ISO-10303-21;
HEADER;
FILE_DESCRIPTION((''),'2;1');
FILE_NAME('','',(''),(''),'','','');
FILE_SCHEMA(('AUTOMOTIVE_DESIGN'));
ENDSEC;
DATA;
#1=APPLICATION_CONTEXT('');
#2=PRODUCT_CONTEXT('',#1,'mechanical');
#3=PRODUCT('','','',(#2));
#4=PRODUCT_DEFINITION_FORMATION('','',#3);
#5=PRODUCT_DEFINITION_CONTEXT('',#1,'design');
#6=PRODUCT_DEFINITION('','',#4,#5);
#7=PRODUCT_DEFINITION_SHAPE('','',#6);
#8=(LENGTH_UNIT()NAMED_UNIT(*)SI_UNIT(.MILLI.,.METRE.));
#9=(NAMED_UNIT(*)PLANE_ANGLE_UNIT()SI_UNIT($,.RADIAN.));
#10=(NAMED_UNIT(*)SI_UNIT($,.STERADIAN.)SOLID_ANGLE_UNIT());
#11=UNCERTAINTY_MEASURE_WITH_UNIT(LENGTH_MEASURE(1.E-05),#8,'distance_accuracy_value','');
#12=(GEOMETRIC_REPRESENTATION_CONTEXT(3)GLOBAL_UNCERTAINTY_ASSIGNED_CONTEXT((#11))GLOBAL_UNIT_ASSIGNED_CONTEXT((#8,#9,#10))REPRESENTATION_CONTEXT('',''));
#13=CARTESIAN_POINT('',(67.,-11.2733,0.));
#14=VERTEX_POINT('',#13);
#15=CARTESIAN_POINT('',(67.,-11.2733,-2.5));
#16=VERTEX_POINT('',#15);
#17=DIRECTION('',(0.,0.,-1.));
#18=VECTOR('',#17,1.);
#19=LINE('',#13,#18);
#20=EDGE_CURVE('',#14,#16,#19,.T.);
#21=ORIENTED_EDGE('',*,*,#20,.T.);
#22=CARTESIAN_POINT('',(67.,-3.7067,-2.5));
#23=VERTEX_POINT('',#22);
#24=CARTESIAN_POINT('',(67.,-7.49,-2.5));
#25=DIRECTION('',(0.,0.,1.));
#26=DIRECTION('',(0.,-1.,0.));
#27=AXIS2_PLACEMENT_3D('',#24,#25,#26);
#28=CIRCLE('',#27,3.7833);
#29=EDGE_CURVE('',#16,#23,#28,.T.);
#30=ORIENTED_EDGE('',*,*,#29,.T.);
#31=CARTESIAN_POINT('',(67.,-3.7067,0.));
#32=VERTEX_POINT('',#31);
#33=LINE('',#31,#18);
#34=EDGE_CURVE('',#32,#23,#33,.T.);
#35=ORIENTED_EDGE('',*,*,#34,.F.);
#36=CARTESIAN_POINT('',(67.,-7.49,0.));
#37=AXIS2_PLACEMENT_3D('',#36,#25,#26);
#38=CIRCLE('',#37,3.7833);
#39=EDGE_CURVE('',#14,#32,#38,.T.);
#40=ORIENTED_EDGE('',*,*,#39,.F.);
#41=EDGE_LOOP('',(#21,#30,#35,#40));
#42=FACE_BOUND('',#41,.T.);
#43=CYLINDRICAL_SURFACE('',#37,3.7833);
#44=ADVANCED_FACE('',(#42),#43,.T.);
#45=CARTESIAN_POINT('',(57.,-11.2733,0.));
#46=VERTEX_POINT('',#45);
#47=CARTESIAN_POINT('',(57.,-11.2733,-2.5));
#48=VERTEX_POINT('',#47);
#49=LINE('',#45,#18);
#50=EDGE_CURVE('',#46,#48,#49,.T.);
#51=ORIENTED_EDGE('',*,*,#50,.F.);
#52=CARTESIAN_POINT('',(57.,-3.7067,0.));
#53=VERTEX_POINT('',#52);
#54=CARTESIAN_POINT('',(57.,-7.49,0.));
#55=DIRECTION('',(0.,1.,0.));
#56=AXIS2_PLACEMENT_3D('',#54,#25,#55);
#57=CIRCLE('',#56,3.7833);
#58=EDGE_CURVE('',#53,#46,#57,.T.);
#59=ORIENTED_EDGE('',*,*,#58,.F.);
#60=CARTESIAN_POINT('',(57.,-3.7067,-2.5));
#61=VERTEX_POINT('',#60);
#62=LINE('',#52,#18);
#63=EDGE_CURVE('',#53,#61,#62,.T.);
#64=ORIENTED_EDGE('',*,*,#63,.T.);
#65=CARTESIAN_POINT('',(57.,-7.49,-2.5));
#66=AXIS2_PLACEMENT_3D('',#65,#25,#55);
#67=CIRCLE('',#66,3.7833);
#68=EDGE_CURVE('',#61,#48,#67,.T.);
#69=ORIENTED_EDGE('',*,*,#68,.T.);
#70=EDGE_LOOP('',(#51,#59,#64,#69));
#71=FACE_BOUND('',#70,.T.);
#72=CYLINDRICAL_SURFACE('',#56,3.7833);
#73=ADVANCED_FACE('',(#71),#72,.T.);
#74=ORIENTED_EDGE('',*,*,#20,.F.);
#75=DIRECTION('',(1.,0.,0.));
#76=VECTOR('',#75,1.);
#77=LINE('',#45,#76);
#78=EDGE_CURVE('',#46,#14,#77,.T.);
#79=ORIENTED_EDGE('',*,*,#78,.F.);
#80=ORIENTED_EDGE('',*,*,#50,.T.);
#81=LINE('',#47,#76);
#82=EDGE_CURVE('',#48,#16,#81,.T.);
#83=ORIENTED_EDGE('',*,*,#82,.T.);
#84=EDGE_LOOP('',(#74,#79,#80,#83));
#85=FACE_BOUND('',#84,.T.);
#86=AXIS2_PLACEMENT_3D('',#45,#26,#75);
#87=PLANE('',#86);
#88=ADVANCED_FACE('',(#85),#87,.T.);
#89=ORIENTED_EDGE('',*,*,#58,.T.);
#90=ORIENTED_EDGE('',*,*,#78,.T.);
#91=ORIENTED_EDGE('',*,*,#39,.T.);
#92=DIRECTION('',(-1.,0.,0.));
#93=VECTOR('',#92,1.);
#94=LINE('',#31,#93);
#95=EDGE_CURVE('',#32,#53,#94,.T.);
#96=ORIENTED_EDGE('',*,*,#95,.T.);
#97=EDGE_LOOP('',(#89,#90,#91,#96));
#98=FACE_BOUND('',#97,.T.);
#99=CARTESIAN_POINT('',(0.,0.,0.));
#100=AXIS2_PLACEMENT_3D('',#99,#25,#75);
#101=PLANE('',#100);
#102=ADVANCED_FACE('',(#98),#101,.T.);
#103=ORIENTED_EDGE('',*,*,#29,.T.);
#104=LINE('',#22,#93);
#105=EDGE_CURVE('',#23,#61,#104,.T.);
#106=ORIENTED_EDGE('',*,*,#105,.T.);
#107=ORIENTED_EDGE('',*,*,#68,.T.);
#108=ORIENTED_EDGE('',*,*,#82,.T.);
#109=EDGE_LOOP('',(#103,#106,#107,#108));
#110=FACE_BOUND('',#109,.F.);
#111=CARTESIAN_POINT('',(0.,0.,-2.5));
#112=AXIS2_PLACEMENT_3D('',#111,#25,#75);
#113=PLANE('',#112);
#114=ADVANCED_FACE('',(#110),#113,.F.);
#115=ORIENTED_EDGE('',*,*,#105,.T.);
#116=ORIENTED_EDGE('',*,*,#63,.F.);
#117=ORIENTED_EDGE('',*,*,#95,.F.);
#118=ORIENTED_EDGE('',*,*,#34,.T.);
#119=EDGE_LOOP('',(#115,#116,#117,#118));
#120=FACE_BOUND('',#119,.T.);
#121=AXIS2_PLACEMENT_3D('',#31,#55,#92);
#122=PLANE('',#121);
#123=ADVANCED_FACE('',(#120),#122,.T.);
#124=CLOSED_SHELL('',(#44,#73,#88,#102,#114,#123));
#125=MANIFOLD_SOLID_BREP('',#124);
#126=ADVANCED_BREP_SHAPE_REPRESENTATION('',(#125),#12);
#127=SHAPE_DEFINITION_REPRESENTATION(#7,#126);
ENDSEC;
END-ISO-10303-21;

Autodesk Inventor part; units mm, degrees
ref_plane "YZ Plane" through (0, 0, 0) normal (1, 0, 0) x (0, 1, 0)
ref_plane "XZ Plane" through (0, 0, 0) normal (0, 1, 0) x (-1, 0, 0)
ref_plane "XY Plane" through (0, 0, 0) normal (0, 0, 1) x (1, 0, 0)
ref_plane "Work Plane1" through (0, 0, 0) normal (0, 0, 1) x (1, 0, 0)
sketch "Sketch1" plane through (0, 0, 0) normal (0, 0, 1) x (1, 0, 0)
  line L0 (75, -675.6721) -> (75, 0) projected
  line L1 (0, 0) -> (75, 0) projected
  line L2 (0, -675.6721) -> (0, 0) projected
  line L3 (0, -675.6721) -> (75, -675.6721) projected
  arc A0 (57, -26) -> (57, -34) centre (57, -30) ccw projected
  line L4 (57, -26) -> (67, -26) projected
  arc A1 (67, -34) -> (67, -26) centre (67, -30) ccw projected
  line L5 (67, -34) -> (57, -34) projected
  arc A2 (57, -3.49) -> (57, -11.49) centre (57, -7.49) ccw projected
  line L6 (57, -3.49) -> (67, -3.49) projected
  arc A3 (67, -11.49) -> (67, -3.49) centre (67, -7.49) ccw projected
  line L7 (67, -11.49) -> (57, -11.49) projected
  line L8 (57, -7.49) -> (67, -7.49) construction
  line L9 (57, -11.2733) -> (67, -11.2733)
  line L10 (67, -3.7067) -> (57, -3.7067)
  arc A4 (57, -3.7067) -> (57, -11.2733) centre (57, -7.49) ccw
  arc A5 (67, -11.2733) -> (67, -3.7067) centre (67, -7.49) ccw
  point P0 (62, -7.49)
extrude "Extrusion1" add sketch "Sketch1" against normal blind 2.5 contours A4 L10 A5 L9
properties part number "zaslepka_sruby-1"
